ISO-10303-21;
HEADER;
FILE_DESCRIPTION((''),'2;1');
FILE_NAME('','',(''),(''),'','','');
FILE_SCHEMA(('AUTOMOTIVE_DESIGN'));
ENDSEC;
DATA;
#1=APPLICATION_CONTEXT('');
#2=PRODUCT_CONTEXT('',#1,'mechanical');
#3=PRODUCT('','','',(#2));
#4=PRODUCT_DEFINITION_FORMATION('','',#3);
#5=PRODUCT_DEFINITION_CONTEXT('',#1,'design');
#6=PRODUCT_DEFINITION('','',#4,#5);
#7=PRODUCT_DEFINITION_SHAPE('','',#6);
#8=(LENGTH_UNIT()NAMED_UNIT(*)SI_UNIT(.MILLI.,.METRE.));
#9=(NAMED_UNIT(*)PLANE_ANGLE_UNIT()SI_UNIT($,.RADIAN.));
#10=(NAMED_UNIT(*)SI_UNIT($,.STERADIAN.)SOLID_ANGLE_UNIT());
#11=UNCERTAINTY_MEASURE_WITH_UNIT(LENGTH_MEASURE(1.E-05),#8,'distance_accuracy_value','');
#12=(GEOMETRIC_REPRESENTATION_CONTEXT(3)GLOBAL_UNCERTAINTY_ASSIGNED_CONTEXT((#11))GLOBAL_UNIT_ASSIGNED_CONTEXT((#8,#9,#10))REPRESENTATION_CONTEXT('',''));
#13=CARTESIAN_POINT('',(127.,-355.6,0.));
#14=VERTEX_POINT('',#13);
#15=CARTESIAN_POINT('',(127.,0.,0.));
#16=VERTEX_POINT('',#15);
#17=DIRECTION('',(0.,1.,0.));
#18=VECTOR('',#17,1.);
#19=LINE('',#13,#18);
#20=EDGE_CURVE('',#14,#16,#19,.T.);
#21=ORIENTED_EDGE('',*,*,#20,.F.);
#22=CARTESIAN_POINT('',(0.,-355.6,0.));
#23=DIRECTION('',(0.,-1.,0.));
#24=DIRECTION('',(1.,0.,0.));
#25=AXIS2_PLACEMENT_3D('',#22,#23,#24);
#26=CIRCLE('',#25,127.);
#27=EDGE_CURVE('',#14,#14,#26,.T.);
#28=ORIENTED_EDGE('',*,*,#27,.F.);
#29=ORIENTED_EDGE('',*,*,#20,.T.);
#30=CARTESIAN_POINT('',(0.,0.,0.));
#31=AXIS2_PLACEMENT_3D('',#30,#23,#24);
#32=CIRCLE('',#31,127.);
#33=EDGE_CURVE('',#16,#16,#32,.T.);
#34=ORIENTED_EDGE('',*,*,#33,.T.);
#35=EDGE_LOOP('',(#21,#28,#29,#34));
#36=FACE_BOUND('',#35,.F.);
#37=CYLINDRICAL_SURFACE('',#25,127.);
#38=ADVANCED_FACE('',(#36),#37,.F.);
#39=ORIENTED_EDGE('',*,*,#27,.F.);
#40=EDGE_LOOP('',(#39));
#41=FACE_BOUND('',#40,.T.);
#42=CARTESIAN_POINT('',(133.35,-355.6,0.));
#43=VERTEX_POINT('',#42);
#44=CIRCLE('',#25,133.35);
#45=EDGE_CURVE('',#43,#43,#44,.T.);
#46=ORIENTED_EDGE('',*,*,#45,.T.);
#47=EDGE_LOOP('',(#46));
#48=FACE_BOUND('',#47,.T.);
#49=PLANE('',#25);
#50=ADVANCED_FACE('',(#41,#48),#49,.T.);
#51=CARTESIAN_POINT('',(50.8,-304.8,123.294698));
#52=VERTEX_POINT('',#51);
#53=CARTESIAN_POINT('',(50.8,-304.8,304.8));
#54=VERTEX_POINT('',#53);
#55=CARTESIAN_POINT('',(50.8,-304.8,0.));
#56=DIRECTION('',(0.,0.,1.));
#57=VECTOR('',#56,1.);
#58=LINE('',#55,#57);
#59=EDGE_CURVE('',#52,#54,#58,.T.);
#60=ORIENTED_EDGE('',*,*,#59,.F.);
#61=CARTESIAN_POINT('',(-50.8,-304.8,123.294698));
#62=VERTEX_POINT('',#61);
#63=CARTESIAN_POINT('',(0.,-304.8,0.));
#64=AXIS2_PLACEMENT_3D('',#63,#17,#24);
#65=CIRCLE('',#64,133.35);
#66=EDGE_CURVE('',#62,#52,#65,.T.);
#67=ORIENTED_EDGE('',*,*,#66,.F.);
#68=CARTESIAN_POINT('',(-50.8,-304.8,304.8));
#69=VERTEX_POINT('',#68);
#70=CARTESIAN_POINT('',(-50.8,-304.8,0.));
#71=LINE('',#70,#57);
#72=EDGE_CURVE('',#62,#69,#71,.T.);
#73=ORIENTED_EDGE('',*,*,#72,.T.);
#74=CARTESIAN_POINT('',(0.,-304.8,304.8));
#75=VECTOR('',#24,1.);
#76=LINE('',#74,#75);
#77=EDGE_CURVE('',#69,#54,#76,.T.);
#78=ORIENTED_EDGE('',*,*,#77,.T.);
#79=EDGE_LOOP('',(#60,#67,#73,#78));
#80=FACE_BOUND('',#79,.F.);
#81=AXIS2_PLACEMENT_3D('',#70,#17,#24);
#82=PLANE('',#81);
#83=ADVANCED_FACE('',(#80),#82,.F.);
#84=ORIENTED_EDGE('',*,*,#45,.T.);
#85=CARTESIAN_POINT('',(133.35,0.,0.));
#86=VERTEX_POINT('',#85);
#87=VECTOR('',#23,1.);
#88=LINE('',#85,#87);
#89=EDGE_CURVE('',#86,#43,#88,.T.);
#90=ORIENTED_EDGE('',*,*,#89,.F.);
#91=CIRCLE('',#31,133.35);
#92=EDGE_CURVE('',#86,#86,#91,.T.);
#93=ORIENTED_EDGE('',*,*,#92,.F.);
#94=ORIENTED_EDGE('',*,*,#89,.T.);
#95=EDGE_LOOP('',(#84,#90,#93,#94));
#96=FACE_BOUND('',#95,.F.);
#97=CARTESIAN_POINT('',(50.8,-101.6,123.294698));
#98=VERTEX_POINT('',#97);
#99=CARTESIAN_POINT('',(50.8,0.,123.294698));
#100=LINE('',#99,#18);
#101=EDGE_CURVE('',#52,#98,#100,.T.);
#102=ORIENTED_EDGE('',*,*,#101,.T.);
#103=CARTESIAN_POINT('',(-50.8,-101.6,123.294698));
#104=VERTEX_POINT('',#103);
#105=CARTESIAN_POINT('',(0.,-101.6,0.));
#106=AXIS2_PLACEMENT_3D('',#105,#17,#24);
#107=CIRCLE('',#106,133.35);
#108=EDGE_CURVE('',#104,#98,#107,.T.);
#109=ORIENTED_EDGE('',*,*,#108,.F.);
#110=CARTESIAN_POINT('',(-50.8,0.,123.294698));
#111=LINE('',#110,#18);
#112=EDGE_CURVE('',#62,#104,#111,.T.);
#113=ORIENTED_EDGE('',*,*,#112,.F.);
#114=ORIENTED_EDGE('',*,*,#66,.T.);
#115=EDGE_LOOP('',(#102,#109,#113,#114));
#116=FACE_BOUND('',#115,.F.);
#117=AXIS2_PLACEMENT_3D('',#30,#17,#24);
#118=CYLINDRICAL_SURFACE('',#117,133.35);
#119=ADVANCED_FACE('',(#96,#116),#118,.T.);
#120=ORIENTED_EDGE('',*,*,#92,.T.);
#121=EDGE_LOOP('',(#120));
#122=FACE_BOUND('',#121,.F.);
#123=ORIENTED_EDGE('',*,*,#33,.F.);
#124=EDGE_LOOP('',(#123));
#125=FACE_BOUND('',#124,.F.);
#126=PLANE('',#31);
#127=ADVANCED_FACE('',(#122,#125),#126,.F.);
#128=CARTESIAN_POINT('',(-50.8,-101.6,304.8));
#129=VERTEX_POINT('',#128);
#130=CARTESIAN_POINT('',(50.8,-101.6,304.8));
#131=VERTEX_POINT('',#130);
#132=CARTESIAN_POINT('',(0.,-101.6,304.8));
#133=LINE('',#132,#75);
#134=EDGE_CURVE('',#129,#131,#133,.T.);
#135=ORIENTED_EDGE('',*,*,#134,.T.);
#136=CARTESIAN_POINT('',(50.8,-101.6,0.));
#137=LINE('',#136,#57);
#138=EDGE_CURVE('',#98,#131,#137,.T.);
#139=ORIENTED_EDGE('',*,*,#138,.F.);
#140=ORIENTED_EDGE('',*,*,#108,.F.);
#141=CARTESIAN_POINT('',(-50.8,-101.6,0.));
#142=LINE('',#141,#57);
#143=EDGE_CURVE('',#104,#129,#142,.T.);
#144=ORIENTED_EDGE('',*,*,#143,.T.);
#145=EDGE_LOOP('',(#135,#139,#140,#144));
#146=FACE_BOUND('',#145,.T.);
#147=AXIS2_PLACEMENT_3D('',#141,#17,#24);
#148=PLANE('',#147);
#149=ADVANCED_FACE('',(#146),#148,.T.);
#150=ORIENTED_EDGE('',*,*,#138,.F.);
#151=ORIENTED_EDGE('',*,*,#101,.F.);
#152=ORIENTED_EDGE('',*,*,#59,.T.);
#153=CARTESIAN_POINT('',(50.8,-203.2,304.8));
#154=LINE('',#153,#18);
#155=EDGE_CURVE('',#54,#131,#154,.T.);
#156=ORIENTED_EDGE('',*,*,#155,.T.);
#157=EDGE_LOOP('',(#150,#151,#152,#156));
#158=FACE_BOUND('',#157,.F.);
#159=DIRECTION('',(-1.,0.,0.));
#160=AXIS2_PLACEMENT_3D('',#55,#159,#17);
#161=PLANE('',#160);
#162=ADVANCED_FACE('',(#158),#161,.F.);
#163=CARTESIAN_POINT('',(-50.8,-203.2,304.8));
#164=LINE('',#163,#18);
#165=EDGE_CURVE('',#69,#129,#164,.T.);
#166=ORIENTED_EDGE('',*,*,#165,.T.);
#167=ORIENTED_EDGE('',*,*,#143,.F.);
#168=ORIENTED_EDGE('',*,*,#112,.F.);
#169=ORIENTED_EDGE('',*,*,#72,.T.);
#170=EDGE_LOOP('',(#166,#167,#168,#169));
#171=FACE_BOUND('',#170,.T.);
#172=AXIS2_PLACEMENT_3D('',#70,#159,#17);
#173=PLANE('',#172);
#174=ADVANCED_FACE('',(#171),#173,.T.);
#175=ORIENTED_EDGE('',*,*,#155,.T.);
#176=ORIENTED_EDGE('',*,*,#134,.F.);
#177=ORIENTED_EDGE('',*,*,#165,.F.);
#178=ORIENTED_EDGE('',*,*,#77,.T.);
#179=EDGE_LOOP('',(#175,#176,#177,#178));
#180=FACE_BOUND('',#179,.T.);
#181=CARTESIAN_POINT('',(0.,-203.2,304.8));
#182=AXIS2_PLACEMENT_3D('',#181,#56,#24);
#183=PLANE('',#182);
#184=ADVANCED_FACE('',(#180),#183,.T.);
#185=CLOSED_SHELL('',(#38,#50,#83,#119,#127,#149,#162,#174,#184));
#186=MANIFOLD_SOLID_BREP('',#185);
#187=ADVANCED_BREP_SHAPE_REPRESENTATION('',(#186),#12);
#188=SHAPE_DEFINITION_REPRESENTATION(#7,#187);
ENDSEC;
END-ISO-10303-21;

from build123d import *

# Parameters (mm, degrees)
F0_R     = 133.35
F1_DEPTH = 355.6
F2_W     = 101.6
F2_H     = 203.2
F3_DEPTH = 304.8
F4_R     = 127
F5_DEPTH = 355.601


with BuildPart() as f1:
    # F0 (on Front) → F1 (new body)
    with BuildSketch(Plane.XZ):
        Circle(F0_R)
    extrude(amount=F1_DEPTH)

    # F2 (on Top) → F3 (join)
    with BuildSketch(Plane.XY):
        with Locations((0, -203.2)):
            Rectangle(F2_W, F2_H)
    extrude(amount=F3_DEPTH)

    # F4 (on face) → F5 (cut, through all)
    with BuildSketch(Plane.XZ.offset(355.6)):
        Circle(F4_R)
    extrude(amount=-F5_DEPTH, mode=Mode.SUBTRACT)


solid = f1.part
